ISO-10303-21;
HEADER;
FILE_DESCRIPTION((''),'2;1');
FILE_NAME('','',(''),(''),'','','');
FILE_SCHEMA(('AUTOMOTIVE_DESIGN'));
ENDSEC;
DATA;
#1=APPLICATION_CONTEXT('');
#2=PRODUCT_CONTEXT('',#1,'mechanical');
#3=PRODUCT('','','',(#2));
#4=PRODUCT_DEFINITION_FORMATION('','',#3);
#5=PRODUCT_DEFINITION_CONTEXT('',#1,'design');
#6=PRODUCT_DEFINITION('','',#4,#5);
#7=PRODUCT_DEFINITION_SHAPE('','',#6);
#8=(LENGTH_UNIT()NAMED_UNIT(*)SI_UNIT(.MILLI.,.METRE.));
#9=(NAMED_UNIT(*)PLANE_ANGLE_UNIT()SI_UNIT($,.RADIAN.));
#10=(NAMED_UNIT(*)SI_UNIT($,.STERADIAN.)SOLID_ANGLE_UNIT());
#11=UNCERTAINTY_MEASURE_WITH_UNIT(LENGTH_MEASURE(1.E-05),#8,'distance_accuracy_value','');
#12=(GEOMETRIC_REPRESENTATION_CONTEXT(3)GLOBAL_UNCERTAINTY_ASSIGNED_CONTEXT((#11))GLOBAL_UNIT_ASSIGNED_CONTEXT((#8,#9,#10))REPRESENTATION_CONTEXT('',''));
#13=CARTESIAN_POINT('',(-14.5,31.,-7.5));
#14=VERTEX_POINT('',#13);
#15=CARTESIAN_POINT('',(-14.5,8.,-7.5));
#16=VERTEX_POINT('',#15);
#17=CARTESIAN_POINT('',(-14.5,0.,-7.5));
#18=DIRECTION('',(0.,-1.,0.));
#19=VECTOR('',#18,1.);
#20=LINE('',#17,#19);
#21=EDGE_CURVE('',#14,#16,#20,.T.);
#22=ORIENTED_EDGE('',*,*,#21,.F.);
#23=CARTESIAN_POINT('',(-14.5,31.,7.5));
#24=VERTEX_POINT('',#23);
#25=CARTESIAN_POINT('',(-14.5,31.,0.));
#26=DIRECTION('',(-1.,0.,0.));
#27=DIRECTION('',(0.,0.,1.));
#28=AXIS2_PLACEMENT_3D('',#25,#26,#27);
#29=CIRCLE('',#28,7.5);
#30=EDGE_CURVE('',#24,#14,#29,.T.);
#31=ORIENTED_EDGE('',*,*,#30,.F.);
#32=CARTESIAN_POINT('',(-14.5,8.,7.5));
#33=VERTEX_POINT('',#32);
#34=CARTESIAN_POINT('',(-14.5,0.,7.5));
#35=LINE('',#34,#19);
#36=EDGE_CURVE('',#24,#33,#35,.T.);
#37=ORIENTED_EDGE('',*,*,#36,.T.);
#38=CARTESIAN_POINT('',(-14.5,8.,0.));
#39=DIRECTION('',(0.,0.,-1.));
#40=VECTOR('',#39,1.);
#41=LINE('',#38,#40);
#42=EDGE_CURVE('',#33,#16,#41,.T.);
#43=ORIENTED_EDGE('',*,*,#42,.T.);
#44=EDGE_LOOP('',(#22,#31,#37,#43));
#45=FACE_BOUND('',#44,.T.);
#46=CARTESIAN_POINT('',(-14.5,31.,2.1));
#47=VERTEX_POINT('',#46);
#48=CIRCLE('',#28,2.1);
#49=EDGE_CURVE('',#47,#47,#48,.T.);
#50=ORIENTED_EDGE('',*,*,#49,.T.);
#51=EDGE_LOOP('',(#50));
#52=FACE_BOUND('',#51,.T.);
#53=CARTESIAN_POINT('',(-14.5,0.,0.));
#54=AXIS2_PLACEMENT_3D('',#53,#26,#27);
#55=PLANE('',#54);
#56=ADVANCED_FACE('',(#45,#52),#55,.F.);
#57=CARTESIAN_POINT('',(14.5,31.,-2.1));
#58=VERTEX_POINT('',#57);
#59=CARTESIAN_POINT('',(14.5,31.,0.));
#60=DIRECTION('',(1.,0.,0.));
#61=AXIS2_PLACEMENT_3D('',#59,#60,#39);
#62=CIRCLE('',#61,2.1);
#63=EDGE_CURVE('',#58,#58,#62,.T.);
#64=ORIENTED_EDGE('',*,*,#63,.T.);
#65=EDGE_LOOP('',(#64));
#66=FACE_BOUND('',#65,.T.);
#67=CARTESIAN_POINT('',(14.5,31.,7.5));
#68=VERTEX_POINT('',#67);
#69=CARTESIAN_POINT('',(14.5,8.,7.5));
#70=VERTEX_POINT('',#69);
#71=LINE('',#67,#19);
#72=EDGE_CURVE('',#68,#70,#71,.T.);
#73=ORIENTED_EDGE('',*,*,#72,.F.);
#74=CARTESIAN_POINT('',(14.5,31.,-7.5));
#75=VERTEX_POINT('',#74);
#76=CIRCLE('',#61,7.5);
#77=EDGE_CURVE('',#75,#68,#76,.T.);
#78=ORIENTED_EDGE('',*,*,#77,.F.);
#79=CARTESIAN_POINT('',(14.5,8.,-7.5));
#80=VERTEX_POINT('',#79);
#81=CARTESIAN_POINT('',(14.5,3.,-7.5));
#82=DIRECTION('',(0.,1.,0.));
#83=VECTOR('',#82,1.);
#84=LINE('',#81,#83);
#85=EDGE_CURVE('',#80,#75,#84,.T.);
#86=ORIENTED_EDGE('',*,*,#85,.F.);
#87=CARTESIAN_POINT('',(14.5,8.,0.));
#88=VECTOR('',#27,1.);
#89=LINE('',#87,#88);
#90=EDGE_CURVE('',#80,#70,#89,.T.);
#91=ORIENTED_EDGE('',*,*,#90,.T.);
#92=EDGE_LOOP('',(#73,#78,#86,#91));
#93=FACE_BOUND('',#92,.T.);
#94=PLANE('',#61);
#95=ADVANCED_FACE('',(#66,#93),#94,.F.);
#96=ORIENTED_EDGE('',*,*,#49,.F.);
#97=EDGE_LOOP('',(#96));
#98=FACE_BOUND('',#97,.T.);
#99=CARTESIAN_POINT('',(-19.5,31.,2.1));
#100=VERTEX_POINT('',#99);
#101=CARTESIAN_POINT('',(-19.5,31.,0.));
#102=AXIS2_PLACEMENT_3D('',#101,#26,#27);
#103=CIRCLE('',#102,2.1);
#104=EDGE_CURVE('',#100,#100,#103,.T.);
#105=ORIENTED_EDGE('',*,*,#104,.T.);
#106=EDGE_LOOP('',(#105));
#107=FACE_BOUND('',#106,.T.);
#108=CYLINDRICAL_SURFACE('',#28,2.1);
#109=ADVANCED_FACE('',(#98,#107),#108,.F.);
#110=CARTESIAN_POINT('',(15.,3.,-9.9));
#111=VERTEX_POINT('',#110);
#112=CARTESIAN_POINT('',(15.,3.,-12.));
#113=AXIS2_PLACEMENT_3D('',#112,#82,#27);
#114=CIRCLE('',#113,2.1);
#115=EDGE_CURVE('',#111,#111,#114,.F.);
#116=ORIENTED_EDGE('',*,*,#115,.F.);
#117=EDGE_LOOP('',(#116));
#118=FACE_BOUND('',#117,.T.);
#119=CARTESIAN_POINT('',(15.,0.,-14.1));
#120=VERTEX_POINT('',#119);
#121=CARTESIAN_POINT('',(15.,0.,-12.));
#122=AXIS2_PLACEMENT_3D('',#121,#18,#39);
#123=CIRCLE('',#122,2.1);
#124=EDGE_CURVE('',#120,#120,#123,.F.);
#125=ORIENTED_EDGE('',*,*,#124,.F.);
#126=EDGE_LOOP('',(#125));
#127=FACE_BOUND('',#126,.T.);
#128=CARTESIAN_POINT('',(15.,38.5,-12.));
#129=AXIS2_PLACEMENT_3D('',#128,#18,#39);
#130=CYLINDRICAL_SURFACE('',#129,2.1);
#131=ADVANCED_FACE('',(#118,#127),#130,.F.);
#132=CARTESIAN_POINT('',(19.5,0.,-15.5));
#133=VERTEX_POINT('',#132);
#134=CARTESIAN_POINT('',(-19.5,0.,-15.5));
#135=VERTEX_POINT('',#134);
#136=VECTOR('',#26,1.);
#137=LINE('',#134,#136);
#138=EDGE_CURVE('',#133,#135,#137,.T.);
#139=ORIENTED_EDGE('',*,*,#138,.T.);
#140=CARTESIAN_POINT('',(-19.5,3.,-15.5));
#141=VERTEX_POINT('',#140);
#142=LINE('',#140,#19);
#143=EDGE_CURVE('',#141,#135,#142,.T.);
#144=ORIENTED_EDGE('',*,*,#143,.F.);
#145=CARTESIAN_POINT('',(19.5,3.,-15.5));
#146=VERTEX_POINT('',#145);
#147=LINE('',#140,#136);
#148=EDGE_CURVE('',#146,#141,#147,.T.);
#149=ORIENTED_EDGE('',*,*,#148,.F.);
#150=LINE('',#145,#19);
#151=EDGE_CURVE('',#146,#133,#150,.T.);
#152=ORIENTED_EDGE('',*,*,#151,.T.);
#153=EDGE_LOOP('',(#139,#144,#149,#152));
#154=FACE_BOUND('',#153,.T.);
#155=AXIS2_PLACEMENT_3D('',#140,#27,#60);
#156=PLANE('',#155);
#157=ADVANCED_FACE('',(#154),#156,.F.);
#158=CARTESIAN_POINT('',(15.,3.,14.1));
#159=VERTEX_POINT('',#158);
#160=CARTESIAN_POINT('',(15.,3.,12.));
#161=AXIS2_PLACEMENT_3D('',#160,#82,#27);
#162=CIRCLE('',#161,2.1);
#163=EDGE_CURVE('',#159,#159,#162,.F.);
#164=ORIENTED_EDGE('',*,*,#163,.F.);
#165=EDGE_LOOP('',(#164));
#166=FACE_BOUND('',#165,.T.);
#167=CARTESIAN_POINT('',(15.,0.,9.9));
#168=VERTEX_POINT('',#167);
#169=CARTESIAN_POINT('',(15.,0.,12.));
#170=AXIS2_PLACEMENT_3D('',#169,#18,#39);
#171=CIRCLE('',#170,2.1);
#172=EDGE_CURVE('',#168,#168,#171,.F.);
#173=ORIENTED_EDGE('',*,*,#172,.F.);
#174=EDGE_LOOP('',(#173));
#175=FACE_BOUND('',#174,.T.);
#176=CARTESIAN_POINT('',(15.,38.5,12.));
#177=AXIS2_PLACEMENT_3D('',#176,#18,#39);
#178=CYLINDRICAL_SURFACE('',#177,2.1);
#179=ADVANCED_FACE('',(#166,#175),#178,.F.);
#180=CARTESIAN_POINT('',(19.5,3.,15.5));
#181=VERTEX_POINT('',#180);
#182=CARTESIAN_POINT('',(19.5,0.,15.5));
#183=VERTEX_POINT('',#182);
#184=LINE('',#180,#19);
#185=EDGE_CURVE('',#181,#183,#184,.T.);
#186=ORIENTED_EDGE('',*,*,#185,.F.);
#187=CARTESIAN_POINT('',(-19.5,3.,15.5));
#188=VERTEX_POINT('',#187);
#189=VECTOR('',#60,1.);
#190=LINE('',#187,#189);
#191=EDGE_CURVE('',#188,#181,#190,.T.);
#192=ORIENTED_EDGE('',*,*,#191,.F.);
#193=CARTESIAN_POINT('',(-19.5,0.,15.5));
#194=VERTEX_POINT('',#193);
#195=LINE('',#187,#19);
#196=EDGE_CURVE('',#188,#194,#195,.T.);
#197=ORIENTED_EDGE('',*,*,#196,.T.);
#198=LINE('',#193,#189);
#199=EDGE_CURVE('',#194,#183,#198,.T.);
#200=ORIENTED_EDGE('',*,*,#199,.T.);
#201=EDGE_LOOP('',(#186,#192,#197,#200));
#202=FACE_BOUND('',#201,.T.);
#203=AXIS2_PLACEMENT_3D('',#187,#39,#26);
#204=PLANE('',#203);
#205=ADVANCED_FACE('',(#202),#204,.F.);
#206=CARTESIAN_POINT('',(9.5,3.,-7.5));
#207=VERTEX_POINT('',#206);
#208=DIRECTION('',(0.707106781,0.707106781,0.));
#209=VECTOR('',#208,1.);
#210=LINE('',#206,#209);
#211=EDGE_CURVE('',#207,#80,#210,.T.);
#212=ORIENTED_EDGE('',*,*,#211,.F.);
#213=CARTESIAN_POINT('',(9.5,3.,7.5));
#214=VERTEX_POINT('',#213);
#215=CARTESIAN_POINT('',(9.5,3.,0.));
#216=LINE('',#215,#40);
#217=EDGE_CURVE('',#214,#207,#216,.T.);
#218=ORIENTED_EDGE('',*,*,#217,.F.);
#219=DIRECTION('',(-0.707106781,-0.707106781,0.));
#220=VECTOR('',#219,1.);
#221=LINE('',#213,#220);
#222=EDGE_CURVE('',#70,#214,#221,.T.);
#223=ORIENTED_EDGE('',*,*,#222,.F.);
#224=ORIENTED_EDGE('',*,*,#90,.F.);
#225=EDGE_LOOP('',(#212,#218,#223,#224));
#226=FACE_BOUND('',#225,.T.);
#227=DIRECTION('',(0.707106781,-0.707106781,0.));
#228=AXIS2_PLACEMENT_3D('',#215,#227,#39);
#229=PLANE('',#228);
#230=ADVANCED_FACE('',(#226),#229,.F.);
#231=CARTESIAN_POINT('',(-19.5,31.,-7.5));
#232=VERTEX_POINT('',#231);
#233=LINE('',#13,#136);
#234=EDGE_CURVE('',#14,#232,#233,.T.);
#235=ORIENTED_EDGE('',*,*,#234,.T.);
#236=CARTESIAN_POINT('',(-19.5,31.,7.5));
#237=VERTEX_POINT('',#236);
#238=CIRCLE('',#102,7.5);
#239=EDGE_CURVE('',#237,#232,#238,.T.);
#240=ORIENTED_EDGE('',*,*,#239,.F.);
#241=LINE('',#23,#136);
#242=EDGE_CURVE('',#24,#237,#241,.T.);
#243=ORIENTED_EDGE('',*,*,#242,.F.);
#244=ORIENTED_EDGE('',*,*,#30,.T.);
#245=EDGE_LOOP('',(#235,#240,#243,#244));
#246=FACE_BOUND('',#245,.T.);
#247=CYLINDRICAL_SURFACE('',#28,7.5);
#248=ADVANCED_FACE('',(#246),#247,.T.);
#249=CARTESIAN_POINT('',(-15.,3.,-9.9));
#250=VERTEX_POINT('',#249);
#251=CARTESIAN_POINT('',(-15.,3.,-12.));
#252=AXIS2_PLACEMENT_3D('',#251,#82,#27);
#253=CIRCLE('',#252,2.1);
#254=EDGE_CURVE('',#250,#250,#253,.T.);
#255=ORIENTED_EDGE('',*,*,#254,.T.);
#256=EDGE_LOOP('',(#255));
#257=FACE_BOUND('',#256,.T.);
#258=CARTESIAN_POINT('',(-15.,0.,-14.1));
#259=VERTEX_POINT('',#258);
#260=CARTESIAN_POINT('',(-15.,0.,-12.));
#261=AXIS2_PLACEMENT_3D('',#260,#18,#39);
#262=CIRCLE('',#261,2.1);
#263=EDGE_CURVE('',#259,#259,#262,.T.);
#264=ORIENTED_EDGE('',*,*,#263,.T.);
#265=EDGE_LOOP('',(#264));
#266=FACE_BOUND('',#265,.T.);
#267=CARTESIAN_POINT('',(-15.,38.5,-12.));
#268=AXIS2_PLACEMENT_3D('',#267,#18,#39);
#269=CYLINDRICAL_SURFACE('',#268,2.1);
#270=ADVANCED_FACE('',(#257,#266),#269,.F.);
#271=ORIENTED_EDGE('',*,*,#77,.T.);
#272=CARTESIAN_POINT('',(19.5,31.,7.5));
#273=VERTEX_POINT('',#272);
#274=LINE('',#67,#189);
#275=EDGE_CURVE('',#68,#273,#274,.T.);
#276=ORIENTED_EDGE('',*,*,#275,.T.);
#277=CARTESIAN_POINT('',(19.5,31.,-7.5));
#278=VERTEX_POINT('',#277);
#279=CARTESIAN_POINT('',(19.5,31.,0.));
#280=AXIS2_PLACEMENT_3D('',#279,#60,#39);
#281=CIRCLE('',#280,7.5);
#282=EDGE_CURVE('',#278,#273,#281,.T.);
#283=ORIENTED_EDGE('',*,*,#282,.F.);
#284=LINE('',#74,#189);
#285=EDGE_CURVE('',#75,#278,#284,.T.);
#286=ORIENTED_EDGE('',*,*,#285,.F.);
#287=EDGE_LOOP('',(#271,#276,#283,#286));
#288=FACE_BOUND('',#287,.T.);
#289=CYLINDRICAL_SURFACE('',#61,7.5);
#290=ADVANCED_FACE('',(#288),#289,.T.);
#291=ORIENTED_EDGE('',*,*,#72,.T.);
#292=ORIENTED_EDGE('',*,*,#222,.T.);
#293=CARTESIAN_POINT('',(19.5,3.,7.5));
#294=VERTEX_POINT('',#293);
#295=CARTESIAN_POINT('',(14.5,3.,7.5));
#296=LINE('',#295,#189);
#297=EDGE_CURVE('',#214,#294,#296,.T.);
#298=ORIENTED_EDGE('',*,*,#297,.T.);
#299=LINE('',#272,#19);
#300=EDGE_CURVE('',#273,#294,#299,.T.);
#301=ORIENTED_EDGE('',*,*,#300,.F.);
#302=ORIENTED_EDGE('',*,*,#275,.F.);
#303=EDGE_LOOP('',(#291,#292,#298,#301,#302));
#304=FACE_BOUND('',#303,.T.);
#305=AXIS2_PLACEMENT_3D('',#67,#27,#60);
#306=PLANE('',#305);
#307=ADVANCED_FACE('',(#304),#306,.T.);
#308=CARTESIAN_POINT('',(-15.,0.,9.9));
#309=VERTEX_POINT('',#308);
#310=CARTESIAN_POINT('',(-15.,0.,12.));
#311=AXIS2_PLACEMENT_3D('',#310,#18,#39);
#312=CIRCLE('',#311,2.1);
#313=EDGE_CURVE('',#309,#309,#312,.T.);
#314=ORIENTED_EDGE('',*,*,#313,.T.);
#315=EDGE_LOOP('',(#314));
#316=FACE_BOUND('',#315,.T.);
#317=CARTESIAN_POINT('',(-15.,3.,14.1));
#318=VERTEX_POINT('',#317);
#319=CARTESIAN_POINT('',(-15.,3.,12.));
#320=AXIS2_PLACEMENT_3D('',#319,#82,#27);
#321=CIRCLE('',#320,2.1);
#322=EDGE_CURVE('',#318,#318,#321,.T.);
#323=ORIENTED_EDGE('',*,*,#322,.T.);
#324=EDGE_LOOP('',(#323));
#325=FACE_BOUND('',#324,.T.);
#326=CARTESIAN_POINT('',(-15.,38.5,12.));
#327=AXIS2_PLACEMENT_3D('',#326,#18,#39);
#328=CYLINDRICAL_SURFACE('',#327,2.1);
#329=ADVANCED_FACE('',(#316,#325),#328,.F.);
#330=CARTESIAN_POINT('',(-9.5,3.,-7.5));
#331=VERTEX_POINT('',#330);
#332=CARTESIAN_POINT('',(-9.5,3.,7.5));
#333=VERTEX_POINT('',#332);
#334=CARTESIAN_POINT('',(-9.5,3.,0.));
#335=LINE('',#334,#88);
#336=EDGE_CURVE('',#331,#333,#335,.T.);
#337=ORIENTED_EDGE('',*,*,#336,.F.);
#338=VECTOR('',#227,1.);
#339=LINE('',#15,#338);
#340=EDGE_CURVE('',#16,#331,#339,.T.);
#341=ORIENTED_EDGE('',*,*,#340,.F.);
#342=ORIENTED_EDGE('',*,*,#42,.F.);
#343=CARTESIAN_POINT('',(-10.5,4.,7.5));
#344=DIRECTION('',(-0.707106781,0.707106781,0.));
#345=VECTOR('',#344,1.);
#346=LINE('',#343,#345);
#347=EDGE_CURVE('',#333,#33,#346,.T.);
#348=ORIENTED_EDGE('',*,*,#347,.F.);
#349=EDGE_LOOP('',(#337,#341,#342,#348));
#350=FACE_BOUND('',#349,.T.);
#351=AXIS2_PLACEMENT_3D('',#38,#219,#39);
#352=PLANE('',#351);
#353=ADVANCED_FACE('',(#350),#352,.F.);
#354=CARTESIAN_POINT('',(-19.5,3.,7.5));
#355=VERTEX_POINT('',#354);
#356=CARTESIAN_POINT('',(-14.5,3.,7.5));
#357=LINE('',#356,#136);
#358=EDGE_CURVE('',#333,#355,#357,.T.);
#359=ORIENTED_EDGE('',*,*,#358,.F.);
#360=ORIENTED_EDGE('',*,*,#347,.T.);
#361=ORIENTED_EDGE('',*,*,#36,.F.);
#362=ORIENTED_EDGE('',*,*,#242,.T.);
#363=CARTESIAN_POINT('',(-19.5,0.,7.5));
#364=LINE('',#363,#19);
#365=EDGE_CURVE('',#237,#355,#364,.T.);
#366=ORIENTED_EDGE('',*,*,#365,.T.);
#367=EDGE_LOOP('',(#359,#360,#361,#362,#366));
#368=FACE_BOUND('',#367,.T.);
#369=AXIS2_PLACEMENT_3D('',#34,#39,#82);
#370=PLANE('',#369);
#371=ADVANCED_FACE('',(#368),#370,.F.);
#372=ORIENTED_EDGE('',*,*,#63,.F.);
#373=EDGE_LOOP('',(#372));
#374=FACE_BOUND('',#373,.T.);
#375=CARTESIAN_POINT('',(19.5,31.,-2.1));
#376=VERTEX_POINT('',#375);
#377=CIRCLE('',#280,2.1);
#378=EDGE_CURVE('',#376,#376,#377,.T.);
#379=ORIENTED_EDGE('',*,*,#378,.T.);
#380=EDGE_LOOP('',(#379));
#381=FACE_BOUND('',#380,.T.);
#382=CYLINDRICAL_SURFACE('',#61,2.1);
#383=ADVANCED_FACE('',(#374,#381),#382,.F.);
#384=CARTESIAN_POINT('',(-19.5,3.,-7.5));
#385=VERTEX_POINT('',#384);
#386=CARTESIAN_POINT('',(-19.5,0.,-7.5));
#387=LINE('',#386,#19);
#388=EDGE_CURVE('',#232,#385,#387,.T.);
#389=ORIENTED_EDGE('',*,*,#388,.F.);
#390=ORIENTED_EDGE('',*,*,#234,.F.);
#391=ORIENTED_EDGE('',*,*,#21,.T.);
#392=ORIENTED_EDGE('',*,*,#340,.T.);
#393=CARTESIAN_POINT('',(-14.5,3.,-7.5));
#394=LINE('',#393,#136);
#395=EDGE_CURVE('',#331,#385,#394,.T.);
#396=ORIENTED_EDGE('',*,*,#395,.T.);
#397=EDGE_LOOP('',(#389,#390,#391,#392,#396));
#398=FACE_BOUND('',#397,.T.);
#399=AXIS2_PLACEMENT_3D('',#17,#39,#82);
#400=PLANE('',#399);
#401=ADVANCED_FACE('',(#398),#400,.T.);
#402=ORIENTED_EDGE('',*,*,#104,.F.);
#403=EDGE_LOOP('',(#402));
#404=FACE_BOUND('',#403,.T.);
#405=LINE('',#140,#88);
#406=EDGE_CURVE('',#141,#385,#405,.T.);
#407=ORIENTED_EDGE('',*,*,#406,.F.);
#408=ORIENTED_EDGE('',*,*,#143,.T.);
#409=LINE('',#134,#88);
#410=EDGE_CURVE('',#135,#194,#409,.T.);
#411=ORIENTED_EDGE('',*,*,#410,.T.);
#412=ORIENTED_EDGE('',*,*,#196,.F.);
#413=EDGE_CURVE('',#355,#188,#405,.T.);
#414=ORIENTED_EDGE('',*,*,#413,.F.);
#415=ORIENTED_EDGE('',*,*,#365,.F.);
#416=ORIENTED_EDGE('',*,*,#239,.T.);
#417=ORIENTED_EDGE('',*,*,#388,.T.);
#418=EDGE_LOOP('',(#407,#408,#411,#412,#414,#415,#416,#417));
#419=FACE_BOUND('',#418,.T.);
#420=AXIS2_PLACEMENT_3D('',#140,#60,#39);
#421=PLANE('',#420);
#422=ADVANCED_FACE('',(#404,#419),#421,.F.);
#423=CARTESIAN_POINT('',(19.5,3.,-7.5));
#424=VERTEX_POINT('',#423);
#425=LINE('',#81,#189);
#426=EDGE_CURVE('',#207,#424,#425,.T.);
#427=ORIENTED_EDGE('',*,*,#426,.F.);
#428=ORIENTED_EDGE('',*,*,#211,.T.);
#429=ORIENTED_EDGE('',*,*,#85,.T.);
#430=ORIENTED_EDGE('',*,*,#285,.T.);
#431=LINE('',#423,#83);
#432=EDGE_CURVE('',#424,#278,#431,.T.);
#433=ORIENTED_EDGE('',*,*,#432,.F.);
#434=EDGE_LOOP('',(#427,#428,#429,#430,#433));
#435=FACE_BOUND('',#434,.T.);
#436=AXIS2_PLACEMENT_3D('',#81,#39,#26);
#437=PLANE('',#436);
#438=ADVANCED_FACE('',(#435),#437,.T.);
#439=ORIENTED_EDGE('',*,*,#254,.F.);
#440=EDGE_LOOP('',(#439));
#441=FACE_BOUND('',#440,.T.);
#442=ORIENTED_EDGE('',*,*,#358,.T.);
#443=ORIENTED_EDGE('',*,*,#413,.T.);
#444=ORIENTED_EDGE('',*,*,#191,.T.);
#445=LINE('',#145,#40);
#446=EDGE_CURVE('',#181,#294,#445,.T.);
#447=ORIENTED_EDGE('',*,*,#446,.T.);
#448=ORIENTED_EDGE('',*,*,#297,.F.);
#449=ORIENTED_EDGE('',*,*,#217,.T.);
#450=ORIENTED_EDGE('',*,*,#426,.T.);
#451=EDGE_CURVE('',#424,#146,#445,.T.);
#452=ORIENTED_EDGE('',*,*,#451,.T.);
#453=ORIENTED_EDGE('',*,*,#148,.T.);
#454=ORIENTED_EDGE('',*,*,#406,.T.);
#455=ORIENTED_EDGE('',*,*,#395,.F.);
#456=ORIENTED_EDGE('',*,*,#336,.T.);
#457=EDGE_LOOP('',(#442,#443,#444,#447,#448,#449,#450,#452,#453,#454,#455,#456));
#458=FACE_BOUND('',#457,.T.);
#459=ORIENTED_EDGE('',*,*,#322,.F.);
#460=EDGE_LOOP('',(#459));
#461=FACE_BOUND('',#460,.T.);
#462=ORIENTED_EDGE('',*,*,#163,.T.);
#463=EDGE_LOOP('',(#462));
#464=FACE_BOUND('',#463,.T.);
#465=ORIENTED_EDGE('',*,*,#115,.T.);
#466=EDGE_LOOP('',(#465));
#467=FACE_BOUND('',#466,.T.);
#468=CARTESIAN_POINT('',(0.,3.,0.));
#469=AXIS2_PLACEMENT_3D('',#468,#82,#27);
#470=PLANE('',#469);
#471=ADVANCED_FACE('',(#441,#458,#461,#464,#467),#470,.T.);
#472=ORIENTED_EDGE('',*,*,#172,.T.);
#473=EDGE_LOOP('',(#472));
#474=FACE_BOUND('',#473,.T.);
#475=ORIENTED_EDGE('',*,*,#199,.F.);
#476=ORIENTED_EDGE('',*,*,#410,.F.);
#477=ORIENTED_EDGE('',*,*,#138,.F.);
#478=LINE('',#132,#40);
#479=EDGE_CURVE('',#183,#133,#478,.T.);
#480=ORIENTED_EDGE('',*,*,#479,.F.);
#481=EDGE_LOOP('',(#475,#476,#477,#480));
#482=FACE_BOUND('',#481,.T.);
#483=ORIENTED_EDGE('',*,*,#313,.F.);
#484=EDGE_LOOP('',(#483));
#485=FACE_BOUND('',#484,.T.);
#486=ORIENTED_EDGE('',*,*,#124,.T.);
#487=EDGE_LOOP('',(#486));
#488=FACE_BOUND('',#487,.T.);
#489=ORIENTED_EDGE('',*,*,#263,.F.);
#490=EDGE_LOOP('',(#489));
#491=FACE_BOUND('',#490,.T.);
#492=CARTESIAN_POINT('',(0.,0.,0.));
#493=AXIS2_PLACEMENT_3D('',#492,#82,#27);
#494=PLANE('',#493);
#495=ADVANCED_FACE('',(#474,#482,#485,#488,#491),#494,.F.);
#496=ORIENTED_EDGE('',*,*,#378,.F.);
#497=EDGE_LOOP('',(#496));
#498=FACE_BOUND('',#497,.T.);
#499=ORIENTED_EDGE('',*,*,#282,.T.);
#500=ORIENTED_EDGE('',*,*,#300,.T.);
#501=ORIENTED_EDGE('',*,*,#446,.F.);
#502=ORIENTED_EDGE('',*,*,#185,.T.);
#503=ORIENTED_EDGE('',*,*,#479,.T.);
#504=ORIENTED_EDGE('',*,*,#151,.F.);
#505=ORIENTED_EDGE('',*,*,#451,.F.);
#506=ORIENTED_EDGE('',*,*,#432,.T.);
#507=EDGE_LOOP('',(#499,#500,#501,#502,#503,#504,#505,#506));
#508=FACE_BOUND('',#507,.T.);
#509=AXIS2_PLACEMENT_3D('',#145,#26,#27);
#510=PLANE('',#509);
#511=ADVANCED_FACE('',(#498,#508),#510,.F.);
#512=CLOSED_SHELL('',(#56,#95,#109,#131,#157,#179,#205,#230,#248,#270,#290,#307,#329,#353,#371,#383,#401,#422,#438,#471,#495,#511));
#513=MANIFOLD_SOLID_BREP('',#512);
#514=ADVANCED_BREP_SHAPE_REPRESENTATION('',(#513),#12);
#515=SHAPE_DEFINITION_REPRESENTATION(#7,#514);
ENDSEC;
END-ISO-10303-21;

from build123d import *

# Parameters (mm, degrees)
SKETCH_1_W          = 39
SKETCH_1_H          = 31
EXTRUDE_1_DEPTH     = 3
SKETCH_5_R          = 2.1
EXTRUDE_2_DEPTH     = 5
EXTRUDE_START       = -5
SKETCH_6_R          = 2.1
EXTRUDE_3_DEPTH     = 5
SKETCH_8_R          = 2.1
CUT_EXTRUDE_1_DEPTH = 46.855752093
CHAMFER_1_SIZE      = 5


with BuildPart() as part:
    # 草图1 → 凸台-拉伸1 (new body)
    with BuildSketch(Plane(origin=(0, 0, 0), x_dir=(1, 0, 0), z_dir=(0, 1, 0))):
        Rectangle(SKETCH_1_W, SKETCH_1_H)
    extrude(amount=EXTRUDE_1_DEPTH)

    # 草图5 → 凸台-拉伸2 (add)
    with BuildSketch(Plane.ZY.offset(19.5)):
        with BuildLine():
            ThreePointArc((7.5, 31), (0, 38.5), (-7.5, 31))
            Line((-7.5, 31), (-7.5, 3))
            Line((-7.5, 3), (7.5, 3))
            Line((7.5, 3), (7.5, 31))
        make_face()
        with Locations((0, 31)):
            Circle(SKETCH_5_R, mode=Mode.SUBTRACT)
    extrude(amount=-EXTRUDE_2_DEPTH)

    # 草图6 → 凸台-拉伸3 (add)
    with BuildSketch(Plane(origin=(19.5, 0, 0), x_dir=(0, 0, -1), z_dir=(1, 0, 0)).offset(EXTRUDE_START)):
        with BuildLine():
            Line((-7.5, 31), (-7.5, 3))
            Line((-7.5, 3), (7.5, 3))
            Line((7.5, 3), (7.5, 31))
            ThreePointArc((7.5, 31), (0, 38.5), (-7.5, 31))
        make_face()
        with Locations(Location((0, 31, 0), (0, 0, 180))):
            Circle(SKETCH_6_R, mode=Mode.SUBTRACT)
    extrude(amount=EXTRUDE_3_DEPTH)

    # 草图8 → 切除-拉伸1 (cut, through all)
    with BuildSketch(Plane.XZ):
        with Locations(Location((15, 12, 0), (0, 0, 270))):
            Circle(SKETCH_8_R)
        with Locations(Location((15, -12, 0), (0, 0, 270))):
            Circle(SKETCH_8_R)
        with Locations(Location((-15, 12, 0), (0, 0, 270))):
            Circle(SKETCH_8_R)
        with Locations(Location((-15, -12, 0), (0, 0, 270))):
            Circle(SKETCH_8_R)
    extrude(amount=-CUT_EXTRUDE_1_DEPTH, mode=Mode.SUBTRACT)

    # 倒角1
    chamfer_1_edges = [part.edges().sort_by_distance(p)[0] for p in [
        (-14.5, 3, 0),
        (14.5, 3, 0),
    ]]
    chamfer(chamfer_1_edges, length=CHAMFER_1_SIZE)


solid = part.part
